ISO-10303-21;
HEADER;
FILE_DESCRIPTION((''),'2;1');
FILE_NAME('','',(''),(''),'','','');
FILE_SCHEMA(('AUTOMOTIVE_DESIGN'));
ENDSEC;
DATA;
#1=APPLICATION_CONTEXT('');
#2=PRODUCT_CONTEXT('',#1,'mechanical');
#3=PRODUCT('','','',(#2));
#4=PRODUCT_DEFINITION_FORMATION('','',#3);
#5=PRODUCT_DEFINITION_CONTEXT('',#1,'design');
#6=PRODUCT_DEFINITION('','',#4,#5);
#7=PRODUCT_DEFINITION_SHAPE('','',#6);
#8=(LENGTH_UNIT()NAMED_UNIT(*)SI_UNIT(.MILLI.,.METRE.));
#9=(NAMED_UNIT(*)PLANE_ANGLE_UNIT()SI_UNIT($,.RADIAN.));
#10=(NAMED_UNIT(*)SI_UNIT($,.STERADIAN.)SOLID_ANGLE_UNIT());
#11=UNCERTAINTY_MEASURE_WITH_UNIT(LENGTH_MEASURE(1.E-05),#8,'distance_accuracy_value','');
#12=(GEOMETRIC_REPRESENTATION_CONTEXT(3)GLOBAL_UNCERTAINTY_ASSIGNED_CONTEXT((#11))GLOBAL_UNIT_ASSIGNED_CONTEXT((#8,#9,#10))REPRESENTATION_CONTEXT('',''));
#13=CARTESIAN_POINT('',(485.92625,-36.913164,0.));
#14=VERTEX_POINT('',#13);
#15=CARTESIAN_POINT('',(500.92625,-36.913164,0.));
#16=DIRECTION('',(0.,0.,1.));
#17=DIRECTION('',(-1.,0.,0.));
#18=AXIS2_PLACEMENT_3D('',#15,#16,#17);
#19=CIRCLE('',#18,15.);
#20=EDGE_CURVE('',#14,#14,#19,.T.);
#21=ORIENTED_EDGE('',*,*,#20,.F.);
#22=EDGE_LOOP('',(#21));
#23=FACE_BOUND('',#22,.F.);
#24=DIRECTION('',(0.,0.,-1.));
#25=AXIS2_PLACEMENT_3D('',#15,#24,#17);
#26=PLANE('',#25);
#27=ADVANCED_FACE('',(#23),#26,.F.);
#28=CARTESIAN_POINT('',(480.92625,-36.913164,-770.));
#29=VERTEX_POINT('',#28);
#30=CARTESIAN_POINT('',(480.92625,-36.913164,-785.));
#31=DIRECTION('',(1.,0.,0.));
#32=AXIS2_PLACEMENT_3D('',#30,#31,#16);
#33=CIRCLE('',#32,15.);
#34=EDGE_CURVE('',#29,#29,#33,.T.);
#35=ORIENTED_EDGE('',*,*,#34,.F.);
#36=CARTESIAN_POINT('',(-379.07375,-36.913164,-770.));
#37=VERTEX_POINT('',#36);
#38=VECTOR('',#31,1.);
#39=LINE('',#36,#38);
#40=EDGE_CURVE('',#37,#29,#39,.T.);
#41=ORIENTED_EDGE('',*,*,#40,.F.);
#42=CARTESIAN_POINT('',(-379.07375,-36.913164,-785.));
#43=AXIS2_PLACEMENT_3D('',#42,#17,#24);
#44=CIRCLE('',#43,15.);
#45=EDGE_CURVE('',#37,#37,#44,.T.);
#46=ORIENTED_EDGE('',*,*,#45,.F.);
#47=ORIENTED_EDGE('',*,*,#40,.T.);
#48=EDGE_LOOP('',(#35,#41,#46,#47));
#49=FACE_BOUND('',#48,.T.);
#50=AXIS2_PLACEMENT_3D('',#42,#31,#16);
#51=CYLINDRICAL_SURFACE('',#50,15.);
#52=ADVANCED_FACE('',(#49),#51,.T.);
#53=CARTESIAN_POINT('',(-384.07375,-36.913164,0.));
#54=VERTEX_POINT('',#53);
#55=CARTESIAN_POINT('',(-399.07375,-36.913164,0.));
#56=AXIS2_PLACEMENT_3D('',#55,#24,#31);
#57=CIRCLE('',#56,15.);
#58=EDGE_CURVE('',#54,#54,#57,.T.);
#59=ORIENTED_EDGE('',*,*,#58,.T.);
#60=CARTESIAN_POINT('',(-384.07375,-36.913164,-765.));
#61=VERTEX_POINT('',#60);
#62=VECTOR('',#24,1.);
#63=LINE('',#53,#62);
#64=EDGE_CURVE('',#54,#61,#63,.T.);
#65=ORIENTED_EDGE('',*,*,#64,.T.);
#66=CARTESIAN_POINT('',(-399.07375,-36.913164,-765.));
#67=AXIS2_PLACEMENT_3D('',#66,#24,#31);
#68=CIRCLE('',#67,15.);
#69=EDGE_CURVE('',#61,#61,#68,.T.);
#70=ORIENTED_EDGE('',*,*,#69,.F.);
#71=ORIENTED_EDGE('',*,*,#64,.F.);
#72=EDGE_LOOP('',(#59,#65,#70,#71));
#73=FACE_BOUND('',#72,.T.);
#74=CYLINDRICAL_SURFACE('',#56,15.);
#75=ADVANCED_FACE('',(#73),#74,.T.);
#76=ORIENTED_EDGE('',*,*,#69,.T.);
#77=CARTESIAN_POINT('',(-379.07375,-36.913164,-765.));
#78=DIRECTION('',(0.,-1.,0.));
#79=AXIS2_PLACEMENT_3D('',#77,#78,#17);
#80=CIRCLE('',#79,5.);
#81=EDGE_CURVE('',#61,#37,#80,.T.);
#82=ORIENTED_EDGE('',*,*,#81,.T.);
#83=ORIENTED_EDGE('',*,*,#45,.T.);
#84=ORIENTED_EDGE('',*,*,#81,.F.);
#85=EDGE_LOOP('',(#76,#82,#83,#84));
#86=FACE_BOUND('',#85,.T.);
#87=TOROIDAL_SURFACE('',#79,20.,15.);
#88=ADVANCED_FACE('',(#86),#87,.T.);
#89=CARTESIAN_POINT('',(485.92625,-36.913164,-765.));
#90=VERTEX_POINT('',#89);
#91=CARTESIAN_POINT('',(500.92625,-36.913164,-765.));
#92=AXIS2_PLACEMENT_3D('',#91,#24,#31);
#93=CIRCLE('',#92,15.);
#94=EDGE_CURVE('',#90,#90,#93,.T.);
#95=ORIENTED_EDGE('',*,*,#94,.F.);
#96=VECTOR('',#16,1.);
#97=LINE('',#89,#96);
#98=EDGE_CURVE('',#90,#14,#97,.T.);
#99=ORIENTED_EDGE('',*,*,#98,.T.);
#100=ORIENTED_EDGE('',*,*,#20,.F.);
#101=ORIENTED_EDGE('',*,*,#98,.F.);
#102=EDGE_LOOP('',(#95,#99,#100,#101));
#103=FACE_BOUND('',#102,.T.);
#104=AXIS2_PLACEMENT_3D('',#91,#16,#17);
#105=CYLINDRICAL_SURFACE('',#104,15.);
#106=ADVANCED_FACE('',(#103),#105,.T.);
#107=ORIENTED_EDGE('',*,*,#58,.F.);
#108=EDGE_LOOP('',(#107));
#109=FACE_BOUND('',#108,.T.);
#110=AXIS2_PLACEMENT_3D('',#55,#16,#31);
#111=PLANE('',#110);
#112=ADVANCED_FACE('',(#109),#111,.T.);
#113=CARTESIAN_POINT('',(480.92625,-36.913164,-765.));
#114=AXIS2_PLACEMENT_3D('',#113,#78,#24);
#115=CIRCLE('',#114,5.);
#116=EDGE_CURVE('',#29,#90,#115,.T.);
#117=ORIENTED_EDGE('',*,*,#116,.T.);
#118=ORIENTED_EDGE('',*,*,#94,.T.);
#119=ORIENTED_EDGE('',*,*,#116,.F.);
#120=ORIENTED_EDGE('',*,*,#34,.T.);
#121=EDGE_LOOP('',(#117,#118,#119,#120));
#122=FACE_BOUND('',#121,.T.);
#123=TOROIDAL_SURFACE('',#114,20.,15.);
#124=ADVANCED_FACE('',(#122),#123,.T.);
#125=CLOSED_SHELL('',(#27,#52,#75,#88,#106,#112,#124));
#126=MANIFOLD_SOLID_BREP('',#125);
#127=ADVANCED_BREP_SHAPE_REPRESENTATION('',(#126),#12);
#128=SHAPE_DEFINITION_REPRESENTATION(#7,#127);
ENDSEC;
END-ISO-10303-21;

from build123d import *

# Parameters (mm, degrees)
F0_R = 15


with BuildPart() as f3:
    # F3: sweep along a path in F2
    with BuildLine(Plane.XZ.offset(36.91316396)) as f3_path:
        Line((-399.0737497807, 0), (-399.0737497807, -765))
        ThreePointArc((-399.0737497807, -765), (-393.2158854044, -779.1421356237), (-379.0737497807, -785))
        Line((-379.0737497807, -785), (480.9262502193, -785))
        ThreePointArc((480.9262502193, -785), (495.0683858431, -779.1421356237), (500.9262502193, -765))
        Line((500.9262502193, -765), (500.9262502193, 0))
    # F0 (on Top) → F3 (sweep)
    with BuildSketch(Plane.XY):
        with Locations((-399.0737497807, -36.91316396)):
            Circle(F0_R)
    sweep(path=f3_path.line)


solid = f3.part
